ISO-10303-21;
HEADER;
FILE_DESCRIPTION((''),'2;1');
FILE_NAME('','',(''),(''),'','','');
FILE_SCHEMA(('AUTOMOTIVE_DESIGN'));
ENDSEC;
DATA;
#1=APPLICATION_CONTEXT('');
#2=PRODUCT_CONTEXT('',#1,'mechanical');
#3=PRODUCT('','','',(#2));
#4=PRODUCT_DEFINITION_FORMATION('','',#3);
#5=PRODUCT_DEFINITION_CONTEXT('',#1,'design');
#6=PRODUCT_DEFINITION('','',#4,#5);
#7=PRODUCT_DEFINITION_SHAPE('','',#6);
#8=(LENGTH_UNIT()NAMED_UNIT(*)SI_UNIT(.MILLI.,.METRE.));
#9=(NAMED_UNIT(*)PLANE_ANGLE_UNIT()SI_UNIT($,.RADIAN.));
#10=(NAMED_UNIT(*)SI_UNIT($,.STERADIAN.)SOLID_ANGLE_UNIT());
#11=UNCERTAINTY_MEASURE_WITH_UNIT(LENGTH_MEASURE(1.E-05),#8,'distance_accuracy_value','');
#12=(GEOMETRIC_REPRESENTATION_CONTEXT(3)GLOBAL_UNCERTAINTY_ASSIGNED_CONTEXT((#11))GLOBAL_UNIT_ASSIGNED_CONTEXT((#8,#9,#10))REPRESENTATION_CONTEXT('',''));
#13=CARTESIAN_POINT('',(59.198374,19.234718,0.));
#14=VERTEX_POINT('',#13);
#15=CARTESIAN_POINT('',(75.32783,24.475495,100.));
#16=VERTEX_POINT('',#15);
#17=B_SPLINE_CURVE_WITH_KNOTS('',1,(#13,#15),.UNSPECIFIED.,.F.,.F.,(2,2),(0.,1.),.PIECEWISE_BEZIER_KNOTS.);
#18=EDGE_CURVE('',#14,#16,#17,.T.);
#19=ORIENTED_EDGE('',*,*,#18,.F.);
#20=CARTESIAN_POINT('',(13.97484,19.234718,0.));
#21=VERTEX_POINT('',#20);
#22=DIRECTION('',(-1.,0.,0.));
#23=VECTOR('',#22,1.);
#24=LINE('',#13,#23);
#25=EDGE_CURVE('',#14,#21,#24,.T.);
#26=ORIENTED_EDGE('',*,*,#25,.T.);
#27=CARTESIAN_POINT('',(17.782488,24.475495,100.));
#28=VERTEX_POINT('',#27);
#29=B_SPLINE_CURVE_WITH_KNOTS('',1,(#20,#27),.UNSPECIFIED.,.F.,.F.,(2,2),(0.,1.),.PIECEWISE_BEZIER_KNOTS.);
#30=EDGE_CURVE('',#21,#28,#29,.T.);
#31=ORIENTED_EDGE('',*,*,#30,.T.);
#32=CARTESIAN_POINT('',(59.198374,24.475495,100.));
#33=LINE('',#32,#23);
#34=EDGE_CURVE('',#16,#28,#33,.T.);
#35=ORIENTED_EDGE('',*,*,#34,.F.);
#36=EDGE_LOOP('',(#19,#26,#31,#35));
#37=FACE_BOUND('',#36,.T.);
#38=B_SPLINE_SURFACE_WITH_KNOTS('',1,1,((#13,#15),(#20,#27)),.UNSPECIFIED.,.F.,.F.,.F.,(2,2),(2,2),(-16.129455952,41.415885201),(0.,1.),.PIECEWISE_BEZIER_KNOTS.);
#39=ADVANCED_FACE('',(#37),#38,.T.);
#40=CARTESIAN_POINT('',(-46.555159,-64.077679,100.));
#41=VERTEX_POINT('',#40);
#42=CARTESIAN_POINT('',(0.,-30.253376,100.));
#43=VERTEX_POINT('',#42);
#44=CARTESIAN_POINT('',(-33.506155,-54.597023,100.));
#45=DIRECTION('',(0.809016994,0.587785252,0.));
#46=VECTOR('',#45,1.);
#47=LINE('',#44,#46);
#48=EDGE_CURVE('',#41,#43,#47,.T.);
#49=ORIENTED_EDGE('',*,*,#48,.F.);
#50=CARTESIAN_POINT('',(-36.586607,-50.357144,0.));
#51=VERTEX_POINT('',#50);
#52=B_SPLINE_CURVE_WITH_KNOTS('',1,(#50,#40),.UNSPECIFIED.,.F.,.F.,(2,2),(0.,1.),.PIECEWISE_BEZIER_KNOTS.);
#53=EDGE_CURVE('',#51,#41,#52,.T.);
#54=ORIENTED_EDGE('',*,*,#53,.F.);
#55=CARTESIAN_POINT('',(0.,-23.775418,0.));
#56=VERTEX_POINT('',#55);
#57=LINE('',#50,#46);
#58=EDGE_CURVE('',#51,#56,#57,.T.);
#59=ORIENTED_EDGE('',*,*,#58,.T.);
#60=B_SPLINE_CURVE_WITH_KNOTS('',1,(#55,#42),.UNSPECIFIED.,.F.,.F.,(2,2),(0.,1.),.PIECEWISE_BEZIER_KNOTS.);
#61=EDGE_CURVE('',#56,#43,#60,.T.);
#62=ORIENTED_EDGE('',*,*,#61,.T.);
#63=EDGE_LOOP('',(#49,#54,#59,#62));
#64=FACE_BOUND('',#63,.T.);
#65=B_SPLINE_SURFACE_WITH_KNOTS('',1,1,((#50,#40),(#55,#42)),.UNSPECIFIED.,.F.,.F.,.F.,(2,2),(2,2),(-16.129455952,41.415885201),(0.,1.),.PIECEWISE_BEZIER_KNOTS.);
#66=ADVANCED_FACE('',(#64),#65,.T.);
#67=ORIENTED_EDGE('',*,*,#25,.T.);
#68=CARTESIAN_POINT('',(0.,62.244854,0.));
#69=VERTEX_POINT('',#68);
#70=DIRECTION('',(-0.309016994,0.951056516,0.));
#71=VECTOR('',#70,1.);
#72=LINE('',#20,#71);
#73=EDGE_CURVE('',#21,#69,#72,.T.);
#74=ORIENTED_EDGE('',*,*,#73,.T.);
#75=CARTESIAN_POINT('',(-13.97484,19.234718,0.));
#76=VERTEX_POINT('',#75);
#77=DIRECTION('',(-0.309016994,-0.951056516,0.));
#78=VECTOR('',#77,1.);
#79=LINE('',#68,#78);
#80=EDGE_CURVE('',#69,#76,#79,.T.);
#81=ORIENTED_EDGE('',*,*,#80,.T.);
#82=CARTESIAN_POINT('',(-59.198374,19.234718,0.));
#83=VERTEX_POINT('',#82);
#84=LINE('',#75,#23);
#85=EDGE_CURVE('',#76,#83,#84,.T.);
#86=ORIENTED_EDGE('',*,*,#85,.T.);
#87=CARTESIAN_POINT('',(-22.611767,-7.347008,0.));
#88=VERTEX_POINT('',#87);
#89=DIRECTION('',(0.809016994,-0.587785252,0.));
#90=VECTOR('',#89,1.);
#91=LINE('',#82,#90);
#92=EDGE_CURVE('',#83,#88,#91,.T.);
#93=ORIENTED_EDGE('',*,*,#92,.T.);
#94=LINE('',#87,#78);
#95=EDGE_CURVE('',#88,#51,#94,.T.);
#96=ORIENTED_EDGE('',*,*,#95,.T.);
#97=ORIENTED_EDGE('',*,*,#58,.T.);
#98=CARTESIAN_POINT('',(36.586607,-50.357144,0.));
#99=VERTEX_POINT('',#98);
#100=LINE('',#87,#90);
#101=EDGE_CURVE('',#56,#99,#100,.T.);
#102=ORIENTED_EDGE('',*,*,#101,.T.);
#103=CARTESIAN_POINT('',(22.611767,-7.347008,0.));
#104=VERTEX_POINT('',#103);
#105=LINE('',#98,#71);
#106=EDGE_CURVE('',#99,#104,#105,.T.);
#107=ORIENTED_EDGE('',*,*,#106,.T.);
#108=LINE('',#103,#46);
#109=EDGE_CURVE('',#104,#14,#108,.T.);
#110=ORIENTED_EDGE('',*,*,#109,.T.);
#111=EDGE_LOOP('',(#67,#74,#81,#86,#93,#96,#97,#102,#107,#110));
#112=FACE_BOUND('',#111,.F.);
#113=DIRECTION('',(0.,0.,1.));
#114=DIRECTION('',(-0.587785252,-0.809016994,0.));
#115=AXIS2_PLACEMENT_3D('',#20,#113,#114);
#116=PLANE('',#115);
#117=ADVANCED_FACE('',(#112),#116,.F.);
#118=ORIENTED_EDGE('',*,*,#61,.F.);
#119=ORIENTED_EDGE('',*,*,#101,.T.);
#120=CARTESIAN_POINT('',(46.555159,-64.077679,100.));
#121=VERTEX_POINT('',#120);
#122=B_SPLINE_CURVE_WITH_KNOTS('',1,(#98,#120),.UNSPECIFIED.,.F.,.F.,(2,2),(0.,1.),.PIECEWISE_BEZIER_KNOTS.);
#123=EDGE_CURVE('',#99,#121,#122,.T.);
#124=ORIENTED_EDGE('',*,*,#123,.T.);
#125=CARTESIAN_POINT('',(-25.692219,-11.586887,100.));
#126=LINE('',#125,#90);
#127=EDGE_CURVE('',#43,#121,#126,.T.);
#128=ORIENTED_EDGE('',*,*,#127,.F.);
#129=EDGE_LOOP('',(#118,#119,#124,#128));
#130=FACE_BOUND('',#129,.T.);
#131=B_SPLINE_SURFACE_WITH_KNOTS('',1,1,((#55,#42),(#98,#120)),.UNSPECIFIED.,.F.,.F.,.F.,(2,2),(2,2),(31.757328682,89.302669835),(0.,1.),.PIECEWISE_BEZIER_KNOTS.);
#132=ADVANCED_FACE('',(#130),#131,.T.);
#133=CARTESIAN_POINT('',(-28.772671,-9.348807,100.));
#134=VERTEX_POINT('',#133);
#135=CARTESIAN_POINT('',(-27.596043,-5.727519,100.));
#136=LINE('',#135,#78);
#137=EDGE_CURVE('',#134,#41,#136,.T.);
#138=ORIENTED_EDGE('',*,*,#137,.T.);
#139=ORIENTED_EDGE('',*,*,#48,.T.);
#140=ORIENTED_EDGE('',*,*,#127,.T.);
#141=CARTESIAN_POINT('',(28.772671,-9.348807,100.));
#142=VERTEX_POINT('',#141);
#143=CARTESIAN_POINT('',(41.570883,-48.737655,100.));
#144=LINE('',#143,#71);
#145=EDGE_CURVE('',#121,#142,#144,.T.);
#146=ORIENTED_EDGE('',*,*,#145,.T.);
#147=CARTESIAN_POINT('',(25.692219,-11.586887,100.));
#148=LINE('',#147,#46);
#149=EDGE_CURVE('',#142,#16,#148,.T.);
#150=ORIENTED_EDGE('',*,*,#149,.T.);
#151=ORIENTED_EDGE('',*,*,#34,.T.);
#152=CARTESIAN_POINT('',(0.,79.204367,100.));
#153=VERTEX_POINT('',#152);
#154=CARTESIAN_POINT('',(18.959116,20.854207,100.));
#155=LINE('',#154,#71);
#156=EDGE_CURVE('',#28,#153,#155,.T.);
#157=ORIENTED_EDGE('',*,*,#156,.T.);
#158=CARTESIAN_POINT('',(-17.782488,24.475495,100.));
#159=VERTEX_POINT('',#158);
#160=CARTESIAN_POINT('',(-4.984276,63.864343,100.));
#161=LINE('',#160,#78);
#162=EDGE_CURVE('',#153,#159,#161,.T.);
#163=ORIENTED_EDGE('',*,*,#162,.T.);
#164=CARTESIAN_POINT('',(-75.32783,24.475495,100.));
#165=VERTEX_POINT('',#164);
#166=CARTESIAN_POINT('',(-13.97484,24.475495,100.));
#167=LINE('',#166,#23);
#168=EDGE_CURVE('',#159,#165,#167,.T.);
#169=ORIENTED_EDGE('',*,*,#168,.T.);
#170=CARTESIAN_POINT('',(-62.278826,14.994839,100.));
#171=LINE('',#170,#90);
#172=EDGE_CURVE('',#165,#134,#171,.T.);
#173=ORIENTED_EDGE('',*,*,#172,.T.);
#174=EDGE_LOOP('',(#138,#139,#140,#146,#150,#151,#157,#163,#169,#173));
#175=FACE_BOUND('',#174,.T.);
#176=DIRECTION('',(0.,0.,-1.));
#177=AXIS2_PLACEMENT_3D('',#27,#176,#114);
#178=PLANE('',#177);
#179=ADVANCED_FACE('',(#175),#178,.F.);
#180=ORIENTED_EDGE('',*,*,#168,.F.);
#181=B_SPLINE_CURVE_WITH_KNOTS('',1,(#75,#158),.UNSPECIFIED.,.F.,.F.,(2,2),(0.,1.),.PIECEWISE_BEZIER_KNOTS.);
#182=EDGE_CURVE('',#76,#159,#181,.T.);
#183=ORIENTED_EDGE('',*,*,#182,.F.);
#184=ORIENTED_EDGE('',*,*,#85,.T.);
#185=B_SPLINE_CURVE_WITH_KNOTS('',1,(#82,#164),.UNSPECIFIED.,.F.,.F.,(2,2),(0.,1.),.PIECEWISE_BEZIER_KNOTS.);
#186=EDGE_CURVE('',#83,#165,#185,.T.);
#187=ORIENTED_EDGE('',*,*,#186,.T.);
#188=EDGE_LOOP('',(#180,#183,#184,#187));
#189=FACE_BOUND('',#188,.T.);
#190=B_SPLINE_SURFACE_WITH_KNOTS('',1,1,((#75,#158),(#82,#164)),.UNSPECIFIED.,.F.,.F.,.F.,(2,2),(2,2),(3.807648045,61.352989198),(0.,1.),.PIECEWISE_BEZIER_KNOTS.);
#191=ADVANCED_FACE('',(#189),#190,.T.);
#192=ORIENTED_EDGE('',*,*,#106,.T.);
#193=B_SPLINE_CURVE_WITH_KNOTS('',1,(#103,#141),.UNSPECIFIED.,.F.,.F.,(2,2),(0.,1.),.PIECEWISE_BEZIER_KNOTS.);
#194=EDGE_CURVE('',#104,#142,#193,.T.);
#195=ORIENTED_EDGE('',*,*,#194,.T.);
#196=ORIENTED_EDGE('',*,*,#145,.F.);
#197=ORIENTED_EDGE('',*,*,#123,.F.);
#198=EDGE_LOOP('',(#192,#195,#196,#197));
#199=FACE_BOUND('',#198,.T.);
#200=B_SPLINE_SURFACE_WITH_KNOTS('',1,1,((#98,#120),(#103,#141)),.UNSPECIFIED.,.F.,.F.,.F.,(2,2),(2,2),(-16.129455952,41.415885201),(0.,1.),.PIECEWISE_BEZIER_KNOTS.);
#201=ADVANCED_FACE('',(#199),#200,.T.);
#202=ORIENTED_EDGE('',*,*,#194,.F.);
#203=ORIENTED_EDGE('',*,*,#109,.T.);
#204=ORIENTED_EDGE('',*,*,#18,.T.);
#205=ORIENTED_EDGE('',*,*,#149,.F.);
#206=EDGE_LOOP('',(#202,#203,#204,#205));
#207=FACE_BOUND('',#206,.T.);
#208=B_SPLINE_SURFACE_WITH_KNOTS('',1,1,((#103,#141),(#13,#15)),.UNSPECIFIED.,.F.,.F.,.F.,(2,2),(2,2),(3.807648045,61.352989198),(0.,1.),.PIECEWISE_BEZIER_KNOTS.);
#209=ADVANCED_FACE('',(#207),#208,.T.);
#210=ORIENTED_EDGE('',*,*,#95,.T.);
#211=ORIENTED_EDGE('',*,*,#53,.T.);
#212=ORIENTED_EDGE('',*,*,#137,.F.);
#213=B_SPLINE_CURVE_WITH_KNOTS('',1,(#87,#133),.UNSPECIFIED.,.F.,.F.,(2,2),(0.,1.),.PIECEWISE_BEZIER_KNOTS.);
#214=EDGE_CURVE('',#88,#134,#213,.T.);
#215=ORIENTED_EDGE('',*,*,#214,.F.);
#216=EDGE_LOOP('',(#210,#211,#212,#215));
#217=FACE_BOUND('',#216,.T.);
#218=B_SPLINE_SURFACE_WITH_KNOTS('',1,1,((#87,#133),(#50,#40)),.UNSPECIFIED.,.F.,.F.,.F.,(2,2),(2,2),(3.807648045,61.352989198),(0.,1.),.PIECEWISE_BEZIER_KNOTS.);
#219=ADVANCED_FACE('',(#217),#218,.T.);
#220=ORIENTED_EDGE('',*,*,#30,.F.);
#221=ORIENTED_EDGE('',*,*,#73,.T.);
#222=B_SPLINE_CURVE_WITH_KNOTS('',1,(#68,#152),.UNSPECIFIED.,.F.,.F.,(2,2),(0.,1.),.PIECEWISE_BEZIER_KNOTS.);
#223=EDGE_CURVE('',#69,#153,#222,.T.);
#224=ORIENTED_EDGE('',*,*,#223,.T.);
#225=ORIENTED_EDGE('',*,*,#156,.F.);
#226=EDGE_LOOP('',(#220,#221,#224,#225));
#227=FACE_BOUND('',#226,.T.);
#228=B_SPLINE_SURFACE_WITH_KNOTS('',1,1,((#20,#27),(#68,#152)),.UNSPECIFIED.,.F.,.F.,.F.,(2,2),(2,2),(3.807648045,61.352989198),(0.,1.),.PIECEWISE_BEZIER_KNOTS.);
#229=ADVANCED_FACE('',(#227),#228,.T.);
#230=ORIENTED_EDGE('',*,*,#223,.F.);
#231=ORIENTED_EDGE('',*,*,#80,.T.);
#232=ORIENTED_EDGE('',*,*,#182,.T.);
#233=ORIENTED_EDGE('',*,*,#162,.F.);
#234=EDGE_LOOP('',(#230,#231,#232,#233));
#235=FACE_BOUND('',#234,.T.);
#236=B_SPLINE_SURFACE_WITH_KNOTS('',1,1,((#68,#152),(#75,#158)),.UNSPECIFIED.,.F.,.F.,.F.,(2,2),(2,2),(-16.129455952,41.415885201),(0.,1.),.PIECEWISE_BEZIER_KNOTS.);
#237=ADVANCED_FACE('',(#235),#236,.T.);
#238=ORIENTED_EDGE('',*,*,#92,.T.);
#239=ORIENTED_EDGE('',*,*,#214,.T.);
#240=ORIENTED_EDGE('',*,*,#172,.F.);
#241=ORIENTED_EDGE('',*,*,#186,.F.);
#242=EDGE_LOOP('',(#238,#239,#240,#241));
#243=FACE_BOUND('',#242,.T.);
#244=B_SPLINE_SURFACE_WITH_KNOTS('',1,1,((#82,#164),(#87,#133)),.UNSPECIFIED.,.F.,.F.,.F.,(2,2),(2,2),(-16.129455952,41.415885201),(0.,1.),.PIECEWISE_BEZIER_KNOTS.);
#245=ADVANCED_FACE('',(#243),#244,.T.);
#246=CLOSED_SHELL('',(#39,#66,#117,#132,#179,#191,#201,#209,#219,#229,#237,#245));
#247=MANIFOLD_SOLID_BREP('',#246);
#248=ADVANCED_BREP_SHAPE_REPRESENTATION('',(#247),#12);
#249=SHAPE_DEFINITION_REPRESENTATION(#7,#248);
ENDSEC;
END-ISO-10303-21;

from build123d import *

# Parameters (mm, degrees)
F1_DEPTH = 100
F1_TAPER = -3


with BuildPart() as f1:
    # F0 (on Top) → F1 (new body)
    with BuildSketch(Plane.XY):
        Polygon((13.9748403187, 19.2347175561), (0, 62.2448535397), (0, 19.2347175561), align=None)
        Polygon((0, 19.2347175561), (0, 62.2448535397), (-13.9748403187, 19.2347175561), align=None)
        Polygon((13.9748403187, 19.2347175561), (0, 19.2347175561), (-13.9748403187, 19.2347175561), (-22.611766623, -7.3470083424), (0, -23.7754184274), (22.611766623, -7.3470083424), align=None)
        Polygon((59.1983735647, 19.2347175561), (13.9748403187, 19.2347175561), (22.611766623, -7.3470083424), align=None)
        Polygon((-22.611766623, -7.3470083424), (-13.9748403187, 19.2347175561), (-59.1983735647, 19.2347175561), align=None)
        Polygon((36.5866069417, -50.357144326), (22.611766623, -7.3470083424), (0, -23.7754184274), align=None)
        Polygon((0, -23.7754184274), (-22.611766623, -7.3470083424), (-36.5866069417, -50.357144326), align=None)
    extrude(amount=F1_DEPTH, taper=F1_TAPER)


solid = f1.part
